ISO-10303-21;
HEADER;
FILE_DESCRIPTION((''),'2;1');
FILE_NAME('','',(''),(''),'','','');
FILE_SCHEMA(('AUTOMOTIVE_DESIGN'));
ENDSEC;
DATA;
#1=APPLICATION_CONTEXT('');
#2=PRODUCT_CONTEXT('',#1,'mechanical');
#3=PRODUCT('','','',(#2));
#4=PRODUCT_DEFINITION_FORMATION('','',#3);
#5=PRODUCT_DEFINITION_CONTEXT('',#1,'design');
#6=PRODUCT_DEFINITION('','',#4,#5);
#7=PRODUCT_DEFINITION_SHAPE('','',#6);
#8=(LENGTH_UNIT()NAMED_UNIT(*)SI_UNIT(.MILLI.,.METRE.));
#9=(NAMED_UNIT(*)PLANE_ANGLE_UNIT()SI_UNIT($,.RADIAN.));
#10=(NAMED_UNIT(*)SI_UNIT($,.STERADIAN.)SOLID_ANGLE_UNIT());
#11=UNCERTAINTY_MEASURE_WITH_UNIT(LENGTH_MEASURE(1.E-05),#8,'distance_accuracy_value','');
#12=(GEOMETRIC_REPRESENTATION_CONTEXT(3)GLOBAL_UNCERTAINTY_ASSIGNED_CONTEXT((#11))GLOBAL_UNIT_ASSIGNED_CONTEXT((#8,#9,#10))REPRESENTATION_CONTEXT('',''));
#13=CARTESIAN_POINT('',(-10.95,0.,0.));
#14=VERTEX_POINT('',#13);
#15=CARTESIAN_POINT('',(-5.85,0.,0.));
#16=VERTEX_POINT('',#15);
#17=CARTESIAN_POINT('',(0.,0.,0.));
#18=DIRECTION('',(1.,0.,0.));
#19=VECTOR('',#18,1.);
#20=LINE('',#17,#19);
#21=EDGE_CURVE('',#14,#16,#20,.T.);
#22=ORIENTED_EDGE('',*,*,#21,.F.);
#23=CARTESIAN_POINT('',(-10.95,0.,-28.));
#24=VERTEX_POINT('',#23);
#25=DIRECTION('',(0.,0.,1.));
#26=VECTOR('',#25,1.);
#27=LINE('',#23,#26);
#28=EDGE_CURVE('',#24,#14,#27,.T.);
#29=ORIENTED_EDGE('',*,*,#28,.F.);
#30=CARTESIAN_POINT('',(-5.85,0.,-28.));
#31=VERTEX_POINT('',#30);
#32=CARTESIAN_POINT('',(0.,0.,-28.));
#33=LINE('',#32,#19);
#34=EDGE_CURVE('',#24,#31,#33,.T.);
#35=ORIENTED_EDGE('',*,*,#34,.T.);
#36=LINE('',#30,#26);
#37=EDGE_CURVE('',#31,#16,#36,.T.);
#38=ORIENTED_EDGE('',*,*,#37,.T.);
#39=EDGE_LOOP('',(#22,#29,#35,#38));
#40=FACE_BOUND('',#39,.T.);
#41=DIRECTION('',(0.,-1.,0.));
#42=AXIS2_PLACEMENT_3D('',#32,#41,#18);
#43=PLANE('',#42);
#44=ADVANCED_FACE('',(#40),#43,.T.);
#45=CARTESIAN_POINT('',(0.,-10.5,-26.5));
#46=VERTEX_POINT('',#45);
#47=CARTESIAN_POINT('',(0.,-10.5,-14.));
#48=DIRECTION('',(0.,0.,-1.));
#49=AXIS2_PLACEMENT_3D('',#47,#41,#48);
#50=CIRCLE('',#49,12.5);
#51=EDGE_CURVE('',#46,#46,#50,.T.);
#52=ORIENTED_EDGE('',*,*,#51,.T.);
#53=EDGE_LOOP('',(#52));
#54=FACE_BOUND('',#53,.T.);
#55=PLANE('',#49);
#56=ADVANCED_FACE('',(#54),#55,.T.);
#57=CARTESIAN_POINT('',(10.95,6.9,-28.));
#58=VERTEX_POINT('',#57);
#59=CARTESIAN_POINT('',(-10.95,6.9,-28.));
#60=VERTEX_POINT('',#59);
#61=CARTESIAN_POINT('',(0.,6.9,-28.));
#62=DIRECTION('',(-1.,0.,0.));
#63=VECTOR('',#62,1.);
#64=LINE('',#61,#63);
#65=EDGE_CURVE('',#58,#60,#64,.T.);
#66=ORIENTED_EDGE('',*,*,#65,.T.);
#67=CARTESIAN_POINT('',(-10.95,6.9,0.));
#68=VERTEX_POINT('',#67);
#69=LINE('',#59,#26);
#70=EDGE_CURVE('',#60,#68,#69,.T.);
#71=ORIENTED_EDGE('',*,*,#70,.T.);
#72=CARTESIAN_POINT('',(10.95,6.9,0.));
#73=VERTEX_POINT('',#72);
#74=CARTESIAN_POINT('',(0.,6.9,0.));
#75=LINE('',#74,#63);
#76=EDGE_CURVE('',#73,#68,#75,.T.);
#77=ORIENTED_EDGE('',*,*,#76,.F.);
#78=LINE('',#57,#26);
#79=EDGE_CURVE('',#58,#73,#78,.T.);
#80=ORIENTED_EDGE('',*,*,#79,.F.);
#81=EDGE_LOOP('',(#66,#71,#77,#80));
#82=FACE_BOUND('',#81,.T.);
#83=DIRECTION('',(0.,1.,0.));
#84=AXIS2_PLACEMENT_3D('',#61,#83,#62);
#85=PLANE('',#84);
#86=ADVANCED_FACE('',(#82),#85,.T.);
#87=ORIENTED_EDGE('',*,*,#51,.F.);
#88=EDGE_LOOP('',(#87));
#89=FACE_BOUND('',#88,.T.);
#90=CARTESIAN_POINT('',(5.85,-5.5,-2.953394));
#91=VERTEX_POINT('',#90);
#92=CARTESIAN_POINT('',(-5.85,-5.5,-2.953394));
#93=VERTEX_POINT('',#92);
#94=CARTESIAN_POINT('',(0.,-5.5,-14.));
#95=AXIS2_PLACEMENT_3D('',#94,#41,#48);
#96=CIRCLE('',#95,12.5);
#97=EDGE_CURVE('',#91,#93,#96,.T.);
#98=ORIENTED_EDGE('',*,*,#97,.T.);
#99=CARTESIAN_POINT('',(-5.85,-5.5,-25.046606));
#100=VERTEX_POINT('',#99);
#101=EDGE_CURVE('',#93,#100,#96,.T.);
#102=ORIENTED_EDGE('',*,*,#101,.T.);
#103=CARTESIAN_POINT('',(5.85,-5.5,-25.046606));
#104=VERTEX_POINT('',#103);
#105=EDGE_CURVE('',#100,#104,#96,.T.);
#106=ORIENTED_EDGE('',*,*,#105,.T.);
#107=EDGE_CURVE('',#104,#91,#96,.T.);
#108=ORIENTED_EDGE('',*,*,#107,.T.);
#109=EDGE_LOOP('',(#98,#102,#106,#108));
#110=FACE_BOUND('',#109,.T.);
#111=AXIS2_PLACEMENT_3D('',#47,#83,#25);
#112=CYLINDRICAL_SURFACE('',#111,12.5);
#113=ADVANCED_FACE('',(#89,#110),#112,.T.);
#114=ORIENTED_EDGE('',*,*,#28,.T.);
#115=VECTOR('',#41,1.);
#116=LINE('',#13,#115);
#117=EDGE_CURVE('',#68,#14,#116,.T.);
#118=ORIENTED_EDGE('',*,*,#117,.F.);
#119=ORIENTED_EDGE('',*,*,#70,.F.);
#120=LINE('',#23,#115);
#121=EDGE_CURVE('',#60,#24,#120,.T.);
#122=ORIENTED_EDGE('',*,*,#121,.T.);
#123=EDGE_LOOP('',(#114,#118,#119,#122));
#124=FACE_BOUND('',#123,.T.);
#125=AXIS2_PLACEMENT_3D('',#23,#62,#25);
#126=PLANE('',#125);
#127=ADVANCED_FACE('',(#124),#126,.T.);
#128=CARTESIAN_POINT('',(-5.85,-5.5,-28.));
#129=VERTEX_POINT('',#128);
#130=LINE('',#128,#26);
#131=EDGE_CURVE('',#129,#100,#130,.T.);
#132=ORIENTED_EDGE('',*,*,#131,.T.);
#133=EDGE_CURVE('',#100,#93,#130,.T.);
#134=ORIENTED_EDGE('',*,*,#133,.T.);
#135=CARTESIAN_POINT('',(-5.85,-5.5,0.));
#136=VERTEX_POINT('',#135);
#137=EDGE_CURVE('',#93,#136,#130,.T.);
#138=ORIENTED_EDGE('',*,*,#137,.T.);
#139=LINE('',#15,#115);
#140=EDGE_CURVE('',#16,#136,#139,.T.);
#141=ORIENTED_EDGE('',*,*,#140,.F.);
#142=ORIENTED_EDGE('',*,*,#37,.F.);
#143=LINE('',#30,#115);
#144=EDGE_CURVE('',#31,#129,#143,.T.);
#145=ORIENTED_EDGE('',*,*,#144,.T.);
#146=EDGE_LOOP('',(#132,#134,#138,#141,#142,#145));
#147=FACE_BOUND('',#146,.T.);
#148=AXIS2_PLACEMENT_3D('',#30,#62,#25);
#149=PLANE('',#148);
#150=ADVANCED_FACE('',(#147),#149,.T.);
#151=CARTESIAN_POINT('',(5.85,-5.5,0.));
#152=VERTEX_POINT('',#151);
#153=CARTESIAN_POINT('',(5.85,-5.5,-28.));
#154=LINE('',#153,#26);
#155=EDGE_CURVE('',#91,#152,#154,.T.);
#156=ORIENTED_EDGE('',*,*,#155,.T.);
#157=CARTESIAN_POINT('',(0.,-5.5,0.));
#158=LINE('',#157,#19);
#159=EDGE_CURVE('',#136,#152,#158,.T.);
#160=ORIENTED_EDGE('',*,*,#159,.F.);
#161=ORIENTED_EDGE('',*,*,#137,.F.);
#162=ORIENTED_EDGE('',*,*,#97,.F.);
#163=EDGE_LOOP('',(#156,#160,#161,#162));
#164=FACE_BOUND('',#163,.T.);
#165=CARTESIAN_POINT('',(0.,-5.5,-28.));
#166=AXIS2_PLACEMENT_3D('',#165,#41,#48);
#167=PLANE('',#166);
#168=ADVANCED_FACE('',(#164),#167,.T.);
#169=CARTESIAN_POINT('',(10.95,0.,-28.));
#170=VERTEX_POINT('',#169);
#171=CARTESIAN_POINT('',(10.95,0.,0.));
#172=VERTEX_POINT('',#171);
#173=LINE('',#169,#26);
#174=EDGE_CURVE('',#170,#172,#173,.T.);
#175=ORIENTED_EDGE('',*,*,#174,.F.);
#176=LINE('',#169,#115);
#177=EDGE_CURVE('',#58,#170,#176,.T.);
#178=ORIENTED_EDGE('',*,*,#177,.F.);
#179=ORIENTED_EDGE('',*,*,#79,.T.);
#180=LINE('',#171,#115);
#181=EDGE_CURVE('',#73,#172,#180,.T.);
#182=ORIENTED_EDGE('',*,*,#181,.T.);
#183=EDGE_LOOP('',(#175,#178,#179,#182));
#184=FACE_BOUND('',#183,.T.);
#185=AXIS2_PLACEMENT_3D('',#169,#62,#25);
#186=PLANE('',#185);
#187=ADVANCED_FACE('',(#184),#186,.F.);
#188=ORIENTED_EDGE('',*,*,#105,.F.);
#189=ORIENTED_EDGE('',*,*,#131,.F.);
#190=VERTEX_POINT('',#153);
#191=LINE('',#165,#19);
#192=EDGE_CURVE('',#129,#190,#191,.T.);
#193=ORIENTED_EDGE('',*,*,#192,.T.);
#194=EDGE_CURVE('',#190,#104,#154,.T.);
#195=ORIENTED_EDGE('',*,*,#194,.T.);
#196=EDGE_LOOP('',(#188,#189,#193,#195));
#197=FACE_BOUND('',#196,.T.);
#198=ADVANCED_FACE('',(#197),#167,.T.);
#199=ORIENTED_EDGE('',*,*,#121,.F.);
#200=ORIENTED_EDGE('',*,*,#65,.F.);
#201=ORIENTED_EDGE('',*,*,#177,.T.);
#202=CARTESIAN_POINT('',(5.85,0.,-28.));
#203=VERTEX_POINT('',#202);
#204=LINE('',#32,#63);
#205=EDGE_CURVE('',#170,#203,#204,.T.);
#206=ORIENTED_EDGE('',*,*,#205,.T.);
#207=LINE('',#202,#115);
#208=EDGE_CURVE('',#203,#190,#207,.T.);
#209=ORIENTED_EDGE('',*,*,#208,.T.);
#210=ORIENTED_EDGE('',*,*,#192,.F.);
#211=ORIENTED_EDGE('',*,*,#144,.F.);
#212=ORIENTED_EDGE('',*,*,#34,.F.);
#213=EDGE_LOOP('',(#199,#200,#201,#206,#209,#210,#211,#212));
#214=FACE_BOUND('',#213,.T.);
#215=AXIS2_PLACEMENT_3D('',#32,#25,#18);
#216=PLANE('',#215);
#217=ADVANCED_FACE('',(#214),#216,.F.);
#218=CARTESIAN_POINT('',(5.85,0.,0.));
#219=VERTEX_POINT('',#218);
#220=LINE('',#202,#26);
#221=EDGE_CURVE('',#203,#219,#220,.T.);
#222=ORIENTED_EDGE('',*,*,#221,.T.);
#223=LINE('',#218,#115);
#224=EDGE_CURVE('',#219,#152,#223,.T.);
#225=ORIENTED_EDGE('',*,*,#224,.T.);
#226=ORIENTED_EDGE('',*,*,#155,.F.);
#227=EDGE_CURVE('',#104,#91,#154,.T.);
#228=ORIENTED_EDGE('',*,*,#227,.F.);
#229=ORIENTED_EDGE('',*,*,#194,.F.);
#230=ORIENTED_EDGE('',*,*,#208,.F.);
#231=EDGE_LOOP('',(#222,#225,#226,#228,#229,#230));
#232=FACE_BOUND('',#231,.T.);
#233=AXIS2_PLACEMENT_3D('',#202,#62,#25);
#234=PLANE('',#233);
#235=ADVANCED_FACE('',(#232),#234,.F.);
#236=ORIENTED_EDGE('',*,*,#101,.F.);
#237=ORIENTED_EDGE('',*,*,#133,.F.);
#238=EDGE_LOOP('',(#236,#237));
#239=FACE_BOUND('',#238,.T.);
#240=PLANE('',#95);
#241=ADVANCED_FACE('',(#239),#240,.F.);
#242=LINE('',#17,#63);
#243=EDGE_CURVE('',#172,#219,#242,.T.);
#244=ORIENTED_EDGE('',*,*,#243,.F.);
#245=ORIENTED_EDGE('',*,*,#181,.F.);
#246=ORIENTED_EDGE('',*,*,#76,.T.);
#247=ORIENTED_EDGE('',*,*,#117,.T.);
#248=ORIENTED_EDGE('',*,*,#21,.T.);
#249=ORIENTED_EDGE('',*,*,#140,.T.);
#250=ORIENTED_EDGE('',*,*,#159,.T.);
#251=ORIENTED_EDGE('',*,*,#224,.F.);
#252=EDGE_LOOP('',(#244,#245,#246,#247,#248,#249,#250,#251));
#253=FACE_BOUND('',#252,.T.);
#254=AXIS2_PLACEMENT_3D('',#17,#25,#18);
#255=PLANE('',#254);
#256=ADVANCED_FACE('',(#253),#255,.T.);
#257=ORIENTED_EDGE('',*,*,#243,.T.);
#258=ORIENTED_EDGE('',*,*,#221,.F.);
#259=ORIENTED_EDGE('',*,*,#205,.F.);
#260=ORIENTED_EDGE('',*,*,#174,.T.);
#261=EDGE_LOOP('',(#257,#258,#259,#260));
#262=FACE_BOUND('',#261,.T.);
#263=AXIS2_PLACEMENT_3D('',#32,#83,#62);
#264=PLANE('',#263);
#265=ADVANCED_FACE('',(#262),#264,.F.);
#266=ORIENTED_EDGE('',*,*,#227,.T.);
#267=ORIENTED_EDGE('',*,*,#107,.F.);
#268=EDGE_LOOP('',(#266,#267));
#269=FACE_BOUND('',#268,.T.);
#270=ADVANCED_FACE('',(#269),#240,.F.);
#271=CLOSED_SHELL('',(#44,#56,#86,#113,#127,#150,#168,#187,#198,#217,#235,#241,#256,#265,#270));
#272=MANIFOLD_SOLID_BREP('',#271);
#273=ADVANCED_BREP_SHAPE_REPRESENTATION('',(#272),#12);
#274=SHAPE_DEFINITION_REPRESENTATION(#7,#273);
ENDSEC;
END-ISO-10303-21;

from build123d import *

# Parameters (mm, degrees)
BOSS_EXTRUDE1_DEPTH = 28
SKETCH3_R           = 12.5
BOSS_EXTRUDE2_DEPTH = 5


with BuildPart() as part:
    # Sketch1 → Boss-Extrude1 (new body)
    with BuildSketch(Plane.XY):
        Polygon((5.85, 0), (5.85, -5.5), (-5.85, -5.5), (-5.85, 0), (-10.95, 0), (-10.95, 6.9), (10.95, 6.9), (10.95, 0), align=None)
    extrude(amount=-BOSS_EXTRUDE1_DEPTH)

    # Sketch3 → Boss-Extrude2 (add)
    with BuildSketch(Plane.XZ.offset(5.5)):
        with Locations(Location((0, -14, 0), (0, 0, 62.095449663))):
            Circle(SKETCH3_R)
    extrude(amount=BOSS_EXTRUDE2_DEPTH)


solid = part.part
